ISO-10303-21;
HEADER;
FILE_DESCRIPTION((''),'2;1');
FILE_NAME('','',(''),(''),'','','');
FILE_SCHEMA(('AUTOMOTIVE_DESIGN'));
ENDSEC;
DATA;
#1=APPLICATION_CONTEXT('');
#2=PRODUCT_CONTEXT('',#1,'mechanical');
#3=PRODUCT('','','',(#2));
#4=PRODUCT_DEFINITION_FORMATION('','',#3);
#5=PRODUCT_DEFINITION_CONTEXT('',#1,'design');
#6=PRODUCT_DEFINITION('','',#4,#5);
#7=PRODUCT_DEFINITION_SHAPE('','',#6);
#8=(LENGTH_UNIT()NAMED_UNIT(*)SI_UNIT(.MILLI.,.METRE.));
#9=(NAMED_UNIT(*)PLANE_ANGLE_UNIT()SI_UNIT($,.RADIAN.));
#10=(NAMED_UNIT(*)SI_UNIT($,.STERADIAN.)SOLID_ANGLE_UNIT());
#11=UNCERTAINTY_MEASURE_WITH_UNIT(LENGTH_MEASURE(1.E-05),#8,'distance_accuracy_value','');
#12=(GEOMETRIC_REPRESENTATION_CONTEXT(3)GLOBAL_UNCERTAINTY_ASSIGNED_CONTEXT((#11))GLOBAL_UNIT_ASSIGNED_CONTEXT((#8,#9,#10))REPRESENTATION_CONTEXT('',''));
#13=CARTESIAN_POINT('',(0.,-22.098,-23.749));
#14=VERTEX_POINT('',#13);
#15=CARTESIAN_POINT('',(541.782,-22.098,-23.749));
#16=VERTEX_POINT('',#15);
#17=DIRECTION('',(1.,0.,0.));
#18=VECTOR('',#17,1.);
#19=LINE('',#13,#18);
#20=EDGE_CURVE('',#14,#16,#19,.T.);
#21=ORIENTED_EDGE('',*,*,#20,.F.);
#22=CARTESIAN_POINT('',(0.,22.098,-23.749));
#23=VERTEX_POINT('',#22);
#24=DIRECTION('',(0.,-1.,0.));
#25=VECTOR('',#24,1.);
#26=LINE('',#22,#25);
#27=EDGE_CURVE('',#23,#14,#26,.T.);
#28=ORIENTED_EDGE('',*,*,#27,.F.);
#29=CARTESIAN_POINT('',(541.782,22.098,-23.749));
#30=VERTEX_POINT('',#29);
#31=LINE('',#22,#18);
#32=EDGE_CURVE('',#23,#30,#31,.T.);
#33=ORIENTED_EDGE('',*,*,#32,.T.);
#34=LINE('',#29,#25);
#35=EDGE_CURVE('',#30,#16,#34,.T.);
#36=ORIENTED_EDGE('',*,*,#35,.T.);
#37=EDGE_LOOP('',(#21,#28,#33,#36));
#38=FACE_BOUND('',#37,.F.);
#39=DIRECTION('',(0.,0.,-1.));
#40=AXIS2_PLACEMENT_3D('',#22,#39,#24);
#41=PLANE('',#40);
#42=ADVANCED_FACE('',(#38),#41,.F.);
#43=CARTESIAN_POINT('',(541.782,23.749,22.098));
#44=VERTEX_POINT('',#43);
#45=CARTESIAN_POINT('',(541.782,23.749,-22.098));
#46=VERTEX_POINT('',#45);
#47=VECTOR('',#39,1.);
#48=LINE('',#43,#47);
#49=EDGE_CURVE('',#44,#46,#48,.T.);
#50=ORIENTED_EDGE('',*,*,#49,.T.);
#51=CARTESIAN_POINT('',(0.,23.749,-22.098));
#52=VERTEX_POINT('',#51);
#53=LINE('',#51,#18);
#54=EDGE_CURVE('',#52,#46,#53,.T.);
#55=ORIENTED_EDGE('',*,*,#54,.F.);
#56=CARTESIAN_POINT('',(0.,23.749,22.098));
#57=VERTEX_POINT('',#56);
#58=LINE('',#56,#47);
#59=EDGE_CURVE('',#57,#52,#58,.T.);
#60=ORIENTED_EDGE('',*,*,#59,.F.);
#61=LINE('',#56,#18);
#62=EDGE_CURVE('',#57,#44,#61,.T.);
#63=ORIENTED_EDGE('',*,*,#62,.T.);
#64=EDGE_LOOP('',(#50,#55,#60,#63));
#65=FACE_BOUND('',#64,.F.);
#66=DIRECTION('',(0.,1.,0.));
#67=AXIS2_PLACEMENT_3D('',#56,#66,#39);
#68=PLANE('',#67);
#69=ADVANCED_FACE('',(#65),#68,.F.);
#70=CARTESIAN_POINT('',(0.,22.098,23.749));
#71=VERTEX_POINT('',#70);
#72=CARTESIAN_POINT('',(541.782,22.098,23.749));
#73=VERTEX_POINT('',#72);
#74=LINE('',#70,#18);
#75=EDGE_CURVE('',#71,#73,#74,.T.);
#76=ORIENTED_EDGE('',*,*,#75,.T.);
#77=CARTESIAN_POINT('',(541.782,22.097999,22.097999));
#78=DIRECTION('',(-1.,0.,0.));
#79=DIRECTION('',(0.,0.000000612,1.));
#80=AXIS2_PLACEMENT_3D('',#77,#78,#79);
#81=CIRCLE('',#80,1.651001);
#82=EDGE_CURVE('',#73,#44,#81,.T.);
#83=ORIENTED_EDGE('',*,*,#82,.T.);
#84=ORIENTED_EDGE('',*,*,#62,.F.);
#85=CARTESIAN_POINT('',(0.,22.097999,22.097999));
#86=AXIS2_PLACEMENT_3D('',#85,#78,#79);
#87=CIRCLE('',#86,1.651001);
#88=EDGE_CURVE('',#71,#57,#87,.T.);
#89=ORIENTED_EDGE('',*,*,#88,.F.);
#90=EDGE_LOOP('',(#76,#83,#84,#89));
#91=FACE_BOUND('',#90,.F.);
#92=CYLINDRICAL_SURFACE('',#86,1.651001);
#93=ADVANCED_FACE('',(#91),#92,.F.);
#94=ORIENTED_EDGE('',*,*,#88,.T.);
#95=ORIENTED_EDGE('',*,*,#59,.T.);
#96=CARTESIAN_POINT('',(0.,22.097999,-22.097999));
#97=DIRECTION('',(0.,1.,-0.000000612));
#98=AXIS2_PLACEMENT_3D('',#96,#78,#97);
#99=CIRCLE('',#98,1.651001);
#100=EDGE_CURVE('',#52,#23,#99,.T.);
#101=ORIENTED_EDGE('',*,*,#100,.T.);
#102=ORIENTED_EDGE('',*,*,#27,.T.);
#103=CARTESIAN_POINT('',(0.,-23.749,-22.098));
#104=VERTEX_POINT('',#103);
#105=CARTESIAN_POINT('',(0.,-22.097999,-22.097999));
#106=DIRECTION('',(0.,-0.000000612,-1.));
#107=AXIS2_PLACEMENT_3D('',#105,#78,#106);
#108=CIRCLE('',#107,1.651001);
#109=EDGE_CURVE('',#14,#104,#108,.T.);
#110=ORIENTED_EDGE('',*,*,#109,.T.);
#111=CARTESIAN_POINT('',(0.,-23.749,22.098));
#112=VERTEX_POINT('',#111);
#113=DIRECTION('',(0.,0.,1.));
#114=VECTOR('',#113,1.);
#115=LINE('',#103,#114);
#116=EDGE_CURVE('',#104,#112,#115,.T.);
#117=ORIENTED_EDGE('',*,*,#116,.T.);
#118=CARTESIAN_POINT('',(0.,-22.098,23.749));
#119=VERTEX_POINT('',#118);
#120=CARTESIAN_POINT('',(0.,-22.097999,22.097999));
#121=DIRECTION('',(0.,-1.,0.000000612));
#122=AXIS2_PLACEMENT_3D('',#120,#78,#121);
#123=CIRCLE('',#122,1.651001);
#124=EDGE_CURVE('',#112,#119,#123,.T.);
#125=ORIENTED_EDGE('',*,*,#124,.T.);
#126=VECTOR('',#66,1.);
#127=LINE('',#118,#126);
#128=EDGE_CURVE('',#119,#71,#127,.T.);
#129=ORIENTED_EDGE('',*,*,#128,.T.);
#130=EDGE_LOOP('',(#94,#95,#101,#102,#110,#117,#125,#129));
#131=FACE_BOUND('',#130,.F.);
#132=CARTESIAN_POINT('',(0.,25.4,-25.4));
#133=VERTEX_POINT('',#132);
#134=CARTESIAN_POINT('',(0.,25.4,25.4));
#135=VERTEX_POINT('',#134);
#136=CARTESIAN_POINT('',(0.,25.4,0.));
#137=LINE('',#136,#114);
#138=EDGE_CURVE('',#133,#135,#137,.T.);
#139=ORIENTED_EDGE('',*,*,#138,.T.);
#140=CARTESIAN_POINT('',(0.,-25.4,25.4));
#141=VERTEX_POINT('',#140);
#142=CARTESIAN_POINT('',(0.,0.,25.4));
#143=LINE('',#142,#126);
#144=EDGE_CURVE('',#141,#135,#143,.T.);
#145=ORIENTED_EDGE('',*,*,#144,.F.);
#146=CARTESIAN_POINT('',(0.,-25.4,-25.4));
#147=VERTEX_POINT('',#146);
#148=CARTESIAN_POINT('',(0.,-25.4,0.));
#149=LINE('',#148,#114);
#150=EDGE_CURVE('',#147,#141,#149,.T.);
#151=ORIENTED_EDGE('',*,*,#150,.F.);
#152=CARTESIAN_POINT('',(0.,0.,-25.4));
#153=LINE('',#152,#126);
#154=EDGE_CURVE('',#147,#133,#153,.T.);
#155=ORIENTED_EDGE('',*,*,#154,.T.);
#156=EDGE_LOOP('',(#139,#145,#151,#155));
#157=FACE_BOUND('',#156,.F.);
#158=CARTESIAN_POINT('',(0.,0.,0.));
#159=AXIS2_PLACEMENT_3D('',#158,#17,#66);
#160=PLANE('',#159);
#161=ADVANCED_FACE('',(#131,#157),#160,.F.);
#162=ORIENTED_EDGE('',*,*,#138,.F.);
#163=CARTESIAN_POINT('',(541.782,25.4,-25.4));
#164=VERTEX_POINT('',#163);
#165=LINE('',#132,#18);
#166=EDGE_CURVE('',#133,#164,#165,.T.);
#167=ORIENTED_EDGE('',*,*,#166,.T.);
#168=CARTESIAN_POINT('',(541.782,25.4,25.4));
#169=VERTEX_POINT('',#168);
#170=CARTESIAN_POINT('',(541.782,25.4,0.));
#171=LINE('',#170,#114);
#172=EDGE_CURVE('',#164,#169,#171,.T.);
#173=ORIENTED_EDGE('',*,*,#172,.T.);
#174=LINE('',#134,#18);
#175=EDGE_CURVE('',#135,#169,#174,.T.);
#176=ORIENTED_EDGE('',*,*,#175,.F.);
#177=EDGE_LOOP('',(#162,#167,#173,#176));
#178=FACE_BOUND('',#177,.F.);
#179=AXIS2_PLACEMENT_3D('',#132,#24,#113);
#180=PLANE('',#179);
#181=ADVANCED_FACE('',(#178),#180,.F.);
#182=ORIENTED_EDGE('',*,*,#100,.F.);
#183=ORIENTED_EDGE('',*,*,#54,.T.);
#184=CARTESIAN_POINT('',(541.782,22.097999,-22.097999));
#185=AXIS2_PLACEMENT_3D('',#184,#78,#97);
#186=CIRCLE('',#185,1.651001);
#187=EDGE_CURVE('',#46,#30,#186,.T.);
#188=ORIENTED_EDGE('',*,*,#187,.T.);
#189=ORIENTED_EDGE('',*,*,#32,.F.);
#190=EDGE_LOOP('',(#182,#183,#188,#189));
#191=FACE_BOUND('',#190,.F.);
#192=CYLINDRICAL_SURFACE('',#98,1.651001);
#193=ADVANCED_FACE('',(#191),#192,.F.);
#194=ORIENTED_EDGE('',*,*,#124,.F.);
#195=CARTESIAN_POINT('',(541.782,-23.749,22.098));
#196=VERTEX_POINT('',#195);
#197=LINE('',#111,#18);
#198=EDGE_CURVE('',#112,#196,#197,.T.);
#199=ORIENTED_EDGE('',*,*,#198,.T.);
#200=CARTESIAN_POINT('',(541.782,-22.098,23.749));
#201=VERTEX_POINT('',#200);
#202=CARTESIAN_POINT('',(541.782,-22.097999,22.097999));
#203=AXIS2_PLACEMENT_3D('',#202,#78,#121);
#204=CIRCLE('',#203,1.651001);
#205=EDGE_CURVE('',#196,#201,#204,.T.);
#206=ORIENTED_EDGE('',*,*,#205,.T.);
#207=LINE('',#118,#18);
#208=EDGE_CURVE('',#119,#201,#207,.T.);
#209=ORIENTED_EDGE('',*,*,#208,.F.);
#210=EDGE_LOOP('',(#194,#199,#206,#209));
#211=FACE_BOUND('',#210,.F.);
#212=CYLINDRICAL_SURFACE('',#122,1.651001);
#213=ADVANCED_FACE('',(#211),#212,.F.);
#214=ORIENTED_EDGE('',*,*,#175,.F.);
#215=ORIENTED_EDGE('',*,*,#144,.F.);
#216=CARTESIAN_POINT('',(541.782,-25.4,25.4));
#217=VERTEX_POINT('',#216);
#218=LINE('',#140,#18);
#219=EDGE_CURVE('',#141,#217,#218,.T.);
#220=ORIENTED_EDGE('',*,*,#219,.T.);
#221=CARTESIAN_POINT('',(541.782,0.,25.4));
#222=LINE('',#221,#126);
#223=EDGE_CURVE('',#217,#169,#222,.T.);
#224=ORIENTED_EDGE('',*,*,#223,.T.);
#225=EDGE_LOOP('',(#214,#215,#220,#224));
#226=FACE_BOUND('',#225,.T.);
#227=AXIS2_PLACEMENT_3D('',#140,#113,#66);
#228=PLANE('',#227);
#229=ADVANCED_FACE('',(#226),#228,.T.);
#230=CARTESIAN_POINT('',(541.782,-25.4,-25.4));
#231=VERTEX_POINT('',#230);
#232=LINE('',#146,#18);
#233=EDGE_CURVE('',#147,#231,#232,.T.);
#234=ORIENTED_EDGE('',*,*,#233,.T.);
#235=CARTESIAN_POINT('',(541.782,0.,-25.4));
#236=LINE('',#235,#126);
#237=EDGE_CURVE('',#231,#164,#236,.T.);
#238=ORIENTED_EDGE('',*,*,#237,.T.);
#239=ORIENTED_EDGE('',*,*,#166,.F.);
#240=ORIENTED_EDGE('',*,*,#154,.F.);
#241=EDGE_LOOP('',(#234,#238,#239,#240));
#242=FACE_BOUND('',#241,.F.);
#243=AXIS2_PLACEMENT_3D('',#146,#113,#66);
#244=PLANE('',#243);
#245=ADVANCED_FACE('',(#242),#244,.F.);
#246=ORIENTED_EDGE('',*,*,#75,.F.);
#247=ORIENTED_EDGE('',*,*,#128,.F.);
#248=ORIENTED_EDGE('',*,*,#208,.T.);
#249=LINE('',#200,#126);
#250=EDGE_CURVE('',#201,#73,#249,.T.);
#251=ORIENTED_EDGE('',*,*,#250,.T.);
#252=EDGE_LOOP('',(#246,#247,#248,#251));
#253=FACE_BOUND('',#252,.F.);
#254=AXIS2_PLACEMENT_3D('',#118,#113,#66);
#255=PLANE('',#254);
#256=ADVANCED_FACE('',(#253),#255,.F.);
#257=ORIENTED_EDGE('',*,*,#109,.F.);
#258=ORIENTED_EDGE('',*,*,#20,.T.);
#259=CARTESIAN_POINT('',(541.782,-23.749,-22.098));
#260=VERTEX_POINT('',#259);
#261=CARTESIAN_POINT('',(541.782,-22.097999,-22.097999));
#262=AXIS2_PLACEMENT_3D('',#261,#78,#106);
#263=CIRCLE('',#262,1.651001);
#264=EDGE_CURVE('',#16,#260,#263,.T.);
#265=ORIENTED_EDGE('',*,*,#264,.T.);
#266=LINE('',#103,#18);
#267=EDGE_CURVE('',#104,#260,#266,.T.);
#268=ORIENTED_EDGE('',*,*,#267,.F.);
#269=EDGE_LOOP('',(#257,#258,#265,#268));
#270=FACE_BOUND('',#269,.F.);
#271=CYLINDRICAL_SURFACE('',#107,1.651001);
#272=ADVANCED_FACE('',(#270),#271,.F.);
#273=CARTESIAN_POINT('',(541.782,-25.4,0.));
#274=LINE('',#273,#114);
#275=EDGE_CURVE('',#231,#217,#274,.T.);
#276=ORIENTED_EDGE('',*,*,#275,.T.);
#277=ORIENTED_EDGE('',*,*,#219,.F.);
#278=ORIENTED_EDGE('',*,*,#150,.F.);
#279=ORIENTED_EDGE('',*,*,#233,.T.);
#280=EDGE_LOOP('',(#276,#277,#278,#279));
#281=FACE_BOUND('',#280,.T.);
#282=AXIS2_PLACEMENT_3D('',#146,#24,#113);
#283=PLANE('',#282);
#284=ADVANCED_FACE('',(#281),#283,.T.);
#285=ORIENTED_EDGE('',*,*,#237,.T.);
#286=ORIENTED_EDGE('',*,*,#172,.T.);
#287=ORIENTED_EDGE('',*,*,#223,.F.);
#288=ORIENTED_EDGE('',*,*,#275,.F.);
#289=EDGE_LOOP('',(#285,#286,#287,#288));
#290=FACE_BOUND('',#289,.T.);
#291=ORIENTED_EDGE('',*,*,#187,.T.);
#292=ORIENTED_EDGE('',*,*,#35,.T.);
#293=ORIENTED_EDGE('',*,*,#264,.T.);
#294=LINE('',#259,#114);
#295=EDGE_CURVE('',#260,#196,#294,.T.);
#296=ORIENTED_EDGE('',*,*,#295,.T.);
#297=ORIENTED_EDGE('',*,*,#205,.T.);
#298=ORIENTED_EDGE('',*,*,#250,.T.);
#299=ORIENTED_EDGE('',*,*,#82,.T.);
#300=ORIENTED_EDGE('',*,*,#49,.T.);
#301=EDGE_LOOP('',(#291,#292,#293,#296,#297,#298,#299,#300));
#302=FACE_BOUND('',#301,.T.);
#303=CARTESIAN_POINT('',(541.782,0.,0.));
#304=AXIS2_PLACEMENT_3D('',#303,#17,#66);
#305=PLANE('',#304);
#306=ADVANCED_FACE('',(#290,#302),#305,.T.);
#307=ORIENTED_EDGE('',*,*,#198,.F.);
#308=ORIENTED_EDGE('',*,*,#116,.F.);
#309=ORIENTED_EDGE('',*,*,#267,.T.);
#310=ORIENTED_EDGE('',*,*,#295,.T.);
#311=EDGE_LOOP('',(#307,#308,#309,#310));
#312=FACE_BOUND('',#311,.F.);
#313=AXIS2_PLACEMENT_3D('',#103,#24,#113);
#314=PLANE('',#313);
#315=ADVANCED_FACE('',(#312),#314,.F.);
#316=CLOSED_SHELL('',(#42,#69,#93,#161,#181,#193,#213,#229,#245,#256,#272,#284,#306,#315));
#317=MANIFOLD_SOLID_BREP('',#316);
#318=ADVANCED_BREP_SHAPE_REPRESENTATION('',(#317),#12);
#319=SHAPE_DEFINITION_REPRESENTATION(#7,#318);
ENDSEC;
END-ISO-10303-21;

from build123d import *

# Parameters (mm, degrees)
F0_W     = 50.8
F0_H     = 50.8
F1_DEPTH = 541.782


with BuildPart() as f1:
    # F0 (on Right) → F1 (new body)
    with BuildSketch(Plane.YZ):
        Rectangle(F0_W, F0_H)
        with BuildLine():
            Line((-22.098, 23.749), (22.098, 23.749))
            ThreePointArc((22.098, 23.749), (23.265433, 23.265433), (23.749, 22.098))
            Line((23.749, 22.098), (23.749, -22.098))
            ThreePointArc((23.749, -22.098), (23.265433, -23.265433), (22.098, -23.749))
            Line((22.098, -23.749), (-22.098, -23.749))
            ThreePointArc((-22.098, -23.749), (-23.265433, -23.265433), (-23.749, -22.098))
            Line((-23.749, -22.098), (-23.749, 22.098))
            ThreePointArc((-23.749, 22.098), (-23.265433, 23.265433), (-22.098, 23.749))
        make_face(mode=Mode.SUBTRACT)
    extrude(amount=F1_DEPTH)


solid = f1.part
